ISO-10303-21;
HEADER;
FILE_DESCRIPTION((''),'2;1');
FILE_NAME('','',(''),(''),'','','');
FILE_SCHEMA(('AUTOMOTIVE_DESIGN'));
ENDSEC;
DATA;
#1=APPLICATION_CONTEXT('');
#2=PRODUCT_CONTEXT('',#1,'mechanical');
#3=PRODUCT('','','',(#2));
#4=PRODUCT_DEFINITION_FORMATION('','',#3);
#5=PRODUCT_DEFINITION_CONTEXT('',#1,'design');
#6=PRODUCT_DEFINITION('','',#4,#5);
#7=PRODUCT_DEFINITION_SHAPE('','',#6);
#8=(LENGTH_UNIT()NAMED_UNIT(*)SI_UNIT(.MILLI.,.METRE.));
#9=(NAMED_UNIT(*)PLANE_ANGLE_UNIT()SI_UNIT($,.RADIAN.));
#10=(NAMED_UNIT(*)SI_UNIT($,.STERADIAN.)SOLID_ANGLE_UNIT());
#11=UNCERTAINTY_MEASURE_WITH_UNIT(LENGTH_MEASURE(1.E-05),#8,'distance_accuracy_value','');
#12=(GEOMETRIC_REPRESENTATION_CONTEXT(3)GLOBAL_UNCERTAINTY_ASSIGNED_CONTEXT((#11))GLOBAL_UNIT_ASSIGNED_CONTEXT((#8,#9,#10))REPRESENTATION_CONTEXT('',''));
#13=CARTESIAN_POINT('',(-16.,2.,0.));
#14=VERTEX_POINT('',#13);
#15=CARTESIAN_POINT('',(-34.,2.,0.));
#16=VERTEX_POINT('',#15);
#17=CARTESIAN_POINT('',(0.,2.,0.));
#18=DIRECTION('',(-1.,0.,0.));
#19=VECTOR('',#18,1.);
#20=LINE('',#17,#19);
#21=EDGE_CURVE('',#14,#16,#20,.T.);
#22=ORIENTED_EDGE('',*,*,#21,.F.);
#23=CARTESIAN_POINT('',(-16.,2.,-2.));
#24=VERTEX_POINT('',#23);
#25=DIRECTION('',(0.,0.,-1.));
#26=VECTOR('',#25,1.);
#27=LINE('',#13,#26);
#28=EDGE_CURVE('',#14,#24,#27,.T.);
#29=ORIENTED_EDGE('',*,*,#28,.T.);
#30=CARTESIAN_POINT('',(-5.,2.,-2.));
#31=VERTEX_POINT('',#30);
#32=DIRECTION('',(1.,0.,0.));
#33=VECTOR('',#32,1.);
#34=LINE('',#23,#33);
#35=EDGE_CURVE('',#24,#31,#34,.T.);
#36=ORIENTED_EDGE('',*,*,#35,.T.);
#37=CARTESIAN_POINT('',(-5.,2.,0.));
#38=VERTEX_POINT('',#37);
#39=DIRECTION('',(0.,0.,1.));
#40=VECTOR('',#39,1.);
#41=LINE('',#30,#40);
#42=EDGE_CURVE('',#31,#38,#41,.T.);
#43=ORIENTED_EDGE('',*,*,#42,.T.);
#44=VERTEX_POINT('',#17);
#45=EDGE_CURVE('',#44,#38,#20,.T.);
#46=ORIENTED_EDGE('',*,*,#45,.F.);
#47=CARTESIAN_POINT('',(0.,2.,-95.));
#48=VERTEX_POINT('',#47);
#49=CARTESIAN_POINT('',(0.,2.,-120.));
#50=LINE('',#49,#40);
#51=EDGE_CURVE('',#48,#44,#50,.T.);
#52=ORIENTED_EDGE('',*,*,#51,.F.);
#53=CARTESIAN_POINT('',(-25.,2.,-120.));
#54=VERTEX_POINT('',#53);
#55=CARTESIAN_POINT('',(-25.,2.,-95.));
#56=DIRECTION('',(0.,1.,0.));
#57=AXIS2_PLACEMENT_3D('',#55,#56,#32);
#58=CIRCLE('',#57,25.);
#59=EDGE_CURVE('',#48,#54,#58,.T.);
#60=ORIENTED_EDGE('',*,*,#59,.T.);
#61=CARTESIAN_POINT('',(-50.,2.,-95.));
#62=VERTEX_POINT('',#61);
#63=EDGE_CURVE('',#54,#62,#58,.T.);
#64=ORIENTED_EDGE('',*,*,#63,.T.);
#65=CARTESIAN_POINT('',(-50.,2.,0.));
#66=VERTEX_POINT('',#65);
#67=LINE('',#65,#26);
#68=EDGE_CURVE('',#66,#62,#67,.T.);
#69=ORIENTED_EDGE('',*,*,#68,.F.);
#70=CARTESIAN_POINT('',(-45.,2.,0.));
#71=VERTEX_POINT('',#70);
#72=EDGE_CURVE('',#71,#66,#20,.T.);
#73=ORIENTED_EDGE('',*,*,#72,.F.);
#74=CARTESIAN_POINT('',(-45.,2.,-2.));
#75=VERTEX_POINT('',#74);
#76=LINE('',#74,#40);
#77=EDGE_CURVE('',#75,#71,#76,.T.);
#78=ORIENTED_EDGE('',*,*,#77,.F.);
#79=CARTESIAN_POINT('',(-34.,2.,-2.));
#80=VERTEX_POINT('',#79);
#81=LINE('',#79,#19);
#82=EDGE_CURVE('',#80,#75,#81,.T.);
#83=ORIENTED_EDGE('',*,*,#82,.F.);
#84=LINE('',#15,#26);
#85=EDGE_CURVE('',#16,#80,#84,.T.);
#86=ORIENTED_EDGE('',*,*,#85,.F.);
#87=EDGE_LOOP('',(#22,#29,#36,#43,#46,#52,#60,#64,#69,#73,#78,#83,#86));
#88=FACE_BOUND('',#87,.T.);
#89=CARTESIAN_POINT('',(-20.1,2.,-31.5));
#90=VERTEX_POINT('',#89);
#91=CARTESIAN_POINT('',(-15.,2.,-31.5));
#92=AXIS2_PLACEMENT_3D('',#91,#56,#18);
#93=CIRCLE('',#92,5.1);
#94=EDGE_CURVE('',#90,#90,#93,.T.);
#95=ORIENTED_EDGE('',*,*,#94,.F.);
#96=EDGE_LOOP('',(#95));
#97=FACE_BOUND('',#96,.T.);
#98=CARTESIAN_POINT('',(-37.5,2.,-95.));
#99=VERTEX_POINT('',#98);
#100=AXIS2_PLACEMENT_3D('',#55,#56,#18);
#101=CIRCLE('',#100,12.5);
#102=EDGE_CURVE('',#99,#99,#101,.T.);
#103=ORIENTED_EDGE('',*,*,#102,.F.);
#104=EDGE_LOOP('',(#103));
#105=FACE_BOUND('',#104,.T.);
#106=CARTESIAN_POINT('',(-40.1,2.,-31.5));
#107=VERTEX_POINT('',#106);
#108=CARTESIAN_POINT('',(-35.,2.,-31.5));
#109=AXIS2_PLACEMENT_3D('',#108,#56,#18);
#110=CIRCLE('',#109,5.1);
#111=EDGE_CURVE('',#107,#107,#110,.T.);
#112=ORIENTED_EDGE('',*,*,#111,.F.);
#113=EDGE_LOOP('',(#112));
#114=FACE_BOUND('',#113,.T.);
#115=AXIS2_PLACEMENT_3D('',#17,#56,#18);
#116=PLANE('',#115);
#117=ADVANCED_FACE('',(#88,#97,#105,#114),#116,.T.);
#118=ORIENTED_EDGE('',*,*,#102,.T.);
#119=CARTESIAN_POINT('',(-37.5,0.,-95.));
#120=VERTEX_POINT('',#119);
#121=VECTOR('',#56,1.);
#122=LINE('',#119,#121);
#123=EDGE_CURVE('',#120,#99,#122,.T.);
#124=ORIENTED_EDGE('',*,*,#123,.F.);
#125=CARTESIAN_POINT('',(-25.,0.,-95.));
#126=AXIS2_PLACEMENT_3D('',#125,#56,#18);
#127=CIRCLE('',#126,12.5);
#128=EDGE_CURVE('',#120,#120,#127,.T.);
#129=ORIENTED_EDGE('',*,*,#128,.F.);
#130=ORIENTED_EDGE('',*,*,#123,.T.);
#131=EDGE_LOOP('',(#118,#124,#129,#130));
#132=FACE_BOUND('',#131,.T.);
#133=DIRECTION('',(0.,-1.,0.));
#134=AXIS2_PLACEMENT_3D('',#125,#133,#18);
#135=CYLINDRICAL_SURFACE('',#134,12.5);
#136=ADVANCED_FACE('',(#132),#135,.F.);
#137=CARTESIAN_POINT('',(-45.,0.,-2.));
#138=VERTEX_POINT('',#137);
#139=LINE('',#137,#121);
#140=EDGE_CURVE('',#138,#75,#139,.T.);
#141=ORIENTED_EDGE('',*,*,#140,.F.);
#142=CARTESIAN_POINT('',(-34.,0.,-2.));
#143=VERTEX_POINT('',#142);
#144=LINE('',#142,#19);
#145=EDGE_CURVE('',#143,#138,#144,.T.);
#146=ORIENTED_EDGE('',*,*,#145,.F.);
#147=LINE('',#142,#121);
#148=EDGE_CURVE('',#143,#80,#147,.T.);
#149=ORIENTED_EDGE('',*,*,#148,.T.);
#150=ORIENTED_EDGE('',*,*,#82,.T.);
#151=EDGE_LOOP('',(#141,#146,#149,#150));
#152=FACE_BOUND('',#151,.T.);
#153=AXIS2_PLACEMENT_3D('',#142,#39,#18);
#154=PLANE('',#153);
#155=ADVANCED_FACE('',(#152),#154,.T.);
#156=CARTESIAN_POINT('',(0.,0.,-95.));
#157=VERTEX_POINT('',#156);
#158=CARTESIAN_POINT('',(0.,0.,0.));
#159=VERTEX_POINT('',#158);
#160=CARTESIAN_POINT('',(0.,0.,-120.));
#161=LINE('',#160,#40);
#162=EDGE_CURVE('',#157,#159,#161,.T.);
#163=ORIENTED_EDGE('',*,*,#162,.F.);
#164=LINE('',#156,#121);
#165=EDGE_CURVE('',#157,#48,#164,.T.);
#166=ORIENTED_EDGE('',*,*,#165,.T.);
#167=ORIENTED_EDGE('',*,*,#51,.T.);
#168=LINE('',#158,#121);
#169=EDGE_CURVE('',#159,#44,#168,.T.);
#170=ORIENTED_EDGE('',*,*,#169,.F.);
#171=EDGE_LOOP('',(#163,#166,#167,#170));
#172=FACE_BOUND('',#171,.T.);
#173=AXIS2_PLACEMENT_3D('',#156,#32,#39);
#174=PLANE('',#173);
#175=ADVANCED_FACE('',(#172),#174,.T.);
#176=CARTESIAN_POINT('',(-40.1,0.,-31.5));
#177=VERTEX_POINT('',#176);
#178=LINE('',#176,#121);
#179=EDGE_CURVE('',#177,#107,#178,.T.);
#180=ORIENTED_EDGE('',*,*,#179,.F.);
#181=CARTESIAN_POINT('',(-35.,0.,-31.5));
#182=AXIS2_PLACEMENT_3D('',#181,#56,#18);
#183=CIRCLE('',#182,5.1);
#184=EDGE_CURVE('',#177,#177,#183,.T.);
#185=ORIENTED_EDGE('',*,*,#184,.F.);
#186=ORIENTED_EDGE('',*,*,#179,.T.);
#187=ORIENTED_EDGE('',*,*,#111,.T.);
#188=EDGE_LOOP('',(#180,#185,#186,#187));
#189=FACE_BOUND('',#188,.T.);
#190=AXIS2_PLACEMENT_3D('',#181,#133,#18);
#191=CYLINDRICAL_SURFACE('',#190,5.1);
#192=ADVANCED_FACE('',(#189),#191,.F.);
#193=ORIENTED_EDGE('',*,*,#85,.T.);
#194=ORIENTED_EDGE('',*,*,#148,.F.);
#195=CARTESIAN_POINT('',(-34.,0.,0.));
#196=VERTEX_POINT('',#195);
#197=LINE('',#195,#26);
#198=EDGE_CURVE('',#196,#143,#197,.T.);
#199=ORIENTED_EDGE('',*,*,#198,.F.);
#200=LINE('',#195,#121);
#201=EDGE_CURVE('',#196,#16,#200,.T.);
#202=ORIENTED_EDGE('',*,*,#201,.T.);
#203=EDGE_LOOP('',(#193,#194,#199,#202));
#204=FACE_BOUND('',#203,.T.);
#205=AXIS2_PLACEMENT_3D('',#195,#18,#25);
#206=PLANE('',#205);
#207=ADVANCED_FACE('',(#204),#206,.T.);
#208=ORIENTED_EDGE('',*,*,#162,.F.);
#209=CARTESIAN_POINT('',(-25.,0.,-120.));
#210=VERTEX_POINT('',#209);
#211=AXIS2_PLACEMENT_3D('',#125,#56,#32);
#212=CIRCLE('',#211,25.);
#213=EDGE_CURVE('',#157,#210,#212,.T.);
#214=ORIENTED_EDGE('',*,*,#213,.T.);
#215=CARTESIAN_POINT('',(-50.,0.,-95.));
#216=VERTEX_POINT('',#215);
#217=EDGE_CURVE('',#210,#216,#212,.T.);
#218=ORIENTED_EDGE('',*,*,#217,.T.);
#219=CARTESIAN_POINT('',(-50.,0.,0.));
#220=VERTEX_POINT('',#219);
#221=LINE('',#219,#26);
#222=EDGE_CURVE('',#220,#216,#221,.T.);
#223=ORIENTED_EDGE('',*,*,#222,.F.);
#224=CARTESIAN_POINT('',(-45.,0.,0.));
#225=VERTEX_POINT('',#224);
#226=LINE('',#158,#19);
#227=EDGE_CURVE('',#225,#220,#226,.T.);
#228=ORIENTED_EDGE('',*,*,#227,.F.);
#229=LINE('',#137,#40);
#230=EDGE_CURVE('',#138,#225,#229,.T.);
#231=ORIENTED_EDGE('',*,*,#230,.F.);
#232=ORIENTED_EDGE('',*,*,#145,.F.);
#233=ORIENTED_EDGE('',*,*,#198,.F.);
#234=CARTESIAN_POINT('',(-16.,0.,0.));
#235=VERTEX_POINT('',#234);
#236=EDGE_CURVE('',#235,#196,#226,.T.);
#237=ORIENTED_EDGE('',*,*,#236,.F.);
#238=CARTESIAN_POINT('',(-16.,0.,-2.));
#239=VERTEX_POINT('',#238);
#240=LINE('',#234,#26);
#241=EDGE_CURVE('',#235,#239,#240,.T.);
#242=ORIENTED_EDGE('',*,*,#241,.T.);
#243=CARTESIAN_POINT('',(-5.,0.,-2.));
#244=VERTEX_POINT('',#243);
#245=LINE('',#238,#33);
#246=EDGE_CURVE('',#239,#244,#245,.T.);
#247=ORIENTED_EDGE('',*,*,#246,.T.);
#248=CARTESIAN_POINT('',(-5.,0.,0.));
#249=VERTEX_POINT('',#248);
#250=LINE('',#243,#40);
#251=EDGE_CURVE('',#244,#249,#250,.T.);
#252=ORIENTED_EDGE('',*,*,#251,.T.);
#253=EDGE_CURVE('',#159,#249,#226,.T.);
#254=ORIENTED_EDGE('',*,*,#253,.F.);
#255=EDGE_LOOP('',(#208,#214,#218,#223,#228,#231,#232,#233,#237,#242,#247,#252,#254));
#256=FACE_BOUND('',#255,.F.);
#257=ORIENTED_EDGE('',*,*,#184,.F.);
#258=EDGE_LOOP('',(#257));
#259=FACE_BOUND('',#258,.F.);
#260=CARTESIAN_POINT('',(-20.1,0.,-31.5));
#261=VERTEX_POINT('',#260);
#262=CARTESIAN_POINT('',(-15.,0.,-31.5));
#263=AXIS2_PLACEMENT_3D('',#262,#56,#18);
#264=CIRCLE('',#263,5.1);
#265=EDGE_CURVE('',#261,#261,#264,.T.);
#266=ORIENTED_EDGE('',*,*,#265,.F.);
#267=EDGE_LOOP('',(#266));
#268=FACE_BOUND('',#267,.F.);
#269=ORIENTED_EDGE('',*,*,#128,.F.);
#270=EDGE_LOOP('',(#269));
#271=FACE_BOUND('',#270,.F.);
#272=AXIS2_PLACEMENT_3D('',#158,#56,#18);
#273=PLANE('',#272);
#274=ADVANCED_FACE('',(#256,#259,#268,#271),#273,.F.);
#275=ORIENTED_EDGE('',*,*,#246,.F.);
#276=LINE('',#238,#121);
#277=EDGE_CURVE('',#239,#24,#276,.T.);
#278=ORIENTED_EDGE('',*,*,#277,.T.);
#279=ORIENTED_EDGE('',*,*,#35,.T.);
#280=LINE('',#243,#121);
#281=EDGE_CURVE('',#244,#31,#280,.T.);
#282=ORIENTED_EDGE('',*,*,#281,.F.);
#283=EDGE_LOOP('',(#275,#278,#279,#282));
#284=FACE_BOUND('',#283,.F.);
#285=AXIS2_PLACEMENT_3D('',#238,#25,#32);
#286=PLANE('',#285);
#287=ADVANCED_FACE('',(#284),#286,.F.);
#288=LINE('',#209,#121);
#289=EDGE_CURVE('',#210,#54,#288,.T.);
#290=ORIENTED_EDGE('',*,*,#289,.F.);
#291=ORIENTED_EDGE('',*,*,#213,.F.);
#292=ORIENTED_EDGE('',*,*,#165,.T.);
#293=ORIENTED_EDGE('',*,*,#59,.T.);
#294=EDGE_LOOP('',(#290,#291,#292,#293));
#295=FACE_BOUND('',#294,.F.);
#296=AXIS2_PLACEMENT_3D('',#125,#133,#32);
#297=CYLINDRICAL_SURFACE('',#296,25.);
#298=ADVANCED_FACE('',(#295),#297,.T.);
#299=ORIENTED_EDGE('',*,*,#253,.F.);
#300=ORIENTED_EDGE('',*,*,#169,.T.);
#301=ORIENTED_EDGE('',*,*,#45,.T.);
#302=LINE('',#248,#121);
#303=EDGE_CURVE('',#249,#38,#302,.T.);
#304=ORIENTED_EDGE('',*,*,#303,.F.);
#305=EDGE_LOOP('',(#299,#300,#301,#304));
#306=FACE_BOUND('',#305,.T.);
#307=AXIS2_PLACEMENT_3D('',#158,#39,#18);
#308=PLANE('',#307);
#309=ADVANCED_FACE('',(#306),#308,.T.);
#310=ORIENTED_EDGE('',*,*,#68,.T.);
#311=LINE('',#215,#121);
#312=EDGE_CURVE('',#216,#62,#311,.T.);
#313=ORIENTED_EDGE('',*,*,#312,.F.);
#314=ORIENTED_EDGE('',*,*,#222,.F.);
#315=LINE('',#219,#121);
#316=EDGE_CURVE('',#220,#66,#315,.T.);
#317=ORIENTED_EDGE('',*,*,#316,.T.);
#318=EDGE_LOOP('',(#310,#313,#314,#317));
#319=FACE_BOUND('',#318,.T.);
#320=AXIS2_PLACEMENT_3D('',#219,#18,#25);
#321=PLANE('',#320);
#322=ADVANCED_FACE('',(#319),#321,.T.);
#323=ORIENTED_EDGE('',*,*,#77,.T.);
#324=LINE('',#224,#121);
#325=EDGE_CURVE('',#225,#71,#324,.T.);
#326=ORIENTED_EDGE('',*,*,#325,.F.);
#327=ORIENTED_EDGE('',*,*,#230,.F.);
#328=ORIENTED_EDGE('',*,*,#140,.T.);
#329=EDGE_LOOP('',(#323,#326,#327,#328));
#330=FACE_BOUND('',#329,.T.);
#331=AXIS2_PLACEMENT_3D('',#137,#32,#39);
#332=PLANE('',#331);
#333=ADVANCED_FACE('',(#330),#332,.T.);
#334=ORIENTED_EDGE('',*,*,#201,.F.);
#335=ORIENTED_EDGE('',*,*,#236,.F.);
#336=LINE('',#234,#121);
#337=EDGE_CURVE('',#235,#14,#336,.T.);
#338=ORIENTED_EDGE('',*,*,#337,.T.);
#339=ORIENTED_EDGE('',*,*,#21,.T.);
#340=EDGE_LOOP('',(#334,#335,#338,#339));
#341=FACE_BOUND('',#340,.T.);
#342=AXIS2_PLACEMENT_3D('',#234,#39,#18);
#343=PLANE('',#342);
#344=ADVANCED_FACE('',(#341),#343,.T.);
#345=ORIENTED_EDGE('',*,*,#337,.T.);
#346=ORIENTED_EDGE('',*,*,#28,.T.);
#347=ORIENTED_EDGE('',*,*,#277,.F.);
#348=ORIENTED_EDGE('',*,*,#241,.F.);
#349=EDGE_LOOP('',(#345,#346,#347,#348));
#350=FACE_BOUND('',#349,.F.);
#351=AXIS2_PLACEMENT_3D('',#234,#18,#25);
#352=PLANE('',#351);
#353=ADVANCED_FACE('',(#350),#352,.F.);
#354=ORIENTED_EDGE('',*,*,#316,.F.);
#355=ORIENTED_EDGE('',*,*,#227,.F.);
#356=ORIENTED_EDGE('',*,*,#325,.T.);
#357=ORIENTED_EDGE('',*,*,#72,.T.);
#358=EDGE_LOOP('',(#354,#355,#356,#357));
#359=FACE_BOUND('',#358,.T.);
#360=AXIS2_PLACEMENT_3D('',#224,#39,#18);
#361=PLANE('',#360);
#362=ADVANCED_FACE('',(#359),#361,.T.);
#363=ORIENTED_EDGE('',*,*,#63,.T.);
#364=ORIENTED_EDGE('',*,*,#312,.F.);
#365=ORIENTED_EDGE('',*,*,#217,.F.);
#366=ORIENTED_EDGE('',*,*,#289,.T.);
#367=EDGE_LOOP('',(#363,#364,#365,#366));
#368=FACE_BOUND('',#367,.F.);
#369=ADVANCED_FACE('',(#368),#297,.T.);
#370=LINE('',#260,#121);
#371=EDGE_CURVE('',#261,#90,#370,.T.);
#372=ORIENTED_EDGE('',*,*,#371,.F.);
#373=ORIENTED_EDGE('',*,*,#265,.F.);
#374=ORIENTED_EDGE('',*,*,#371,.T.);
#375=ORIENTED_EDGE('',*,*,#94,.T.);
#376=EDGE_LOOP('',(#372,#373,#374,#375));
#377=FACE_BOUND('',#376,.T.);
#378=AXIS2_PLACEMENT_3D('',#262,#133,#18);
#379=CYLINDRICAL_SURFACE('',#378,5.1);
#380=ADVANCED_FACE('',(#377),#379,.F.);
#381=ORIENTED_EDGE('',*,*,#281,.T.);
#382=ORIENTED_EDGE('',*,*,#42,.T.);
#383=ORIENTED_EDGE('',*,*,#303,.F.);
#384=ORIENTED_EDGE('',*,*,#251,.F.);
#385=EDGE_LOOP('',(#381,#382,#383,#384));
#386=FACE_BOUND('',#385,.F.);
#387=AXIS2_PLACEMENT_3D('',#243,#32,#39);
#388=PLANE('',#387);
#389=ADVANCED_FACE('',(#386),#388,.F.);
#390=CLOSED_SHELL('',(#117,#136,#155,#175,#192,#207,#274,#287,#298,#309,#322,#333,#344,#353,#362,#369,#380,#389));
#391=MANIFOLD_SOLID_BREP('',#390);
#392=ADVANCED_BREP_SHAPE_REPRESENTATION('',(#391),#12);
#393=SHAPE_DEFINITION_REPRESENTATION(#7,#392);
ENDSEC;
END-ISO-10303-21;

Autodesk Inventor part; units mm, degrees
ref_plane "YZ Plane" through (0, 0, 0) normal (1, 0, 0) x (0, 1, 0)
ref_plane "XZ Plane" through (0, 0, 0) normal (0, 1, 0) x (-1, 0, 0)
ref_plane "XY Plane" through (0, 0, 0) normal (0, 0, 1) x (1, 0, 0)
sketch "Sketch1" plane through (0, 0, 0) normal (0, 1, 0) x (-1, 0, 0)
  line L0 (0, 0) -> (50, 0)
  line L1 (50, 0) -> (50, -120)
  line L2 (50, -120) -> (0, -120)
  line L3 (0, -120) -> (0, 0)
  circle A0 centre (35, -31.5) radius 5.1
  circle A1 centre (25, -95) radius 12.5
  arc A2 (0, -95) -> (50, -95) centre (25, -95) ccw
  line L4 (45, 0) -> (34, 0)
  line L5 (34, 0) -> (34, -2)
  line L6 (34, -2) -> (45, -2)
  line L7 (45, -2) -> (45, 0)
  line L8 (16, -2) -> (5, -2)
  line L9 (5, -2) -> (5, 0)
  line L10 (5, 0) -> (16, 0)
  line L11 (16, 0) -> (16, -2)
  line L12 (50, -95) -> (0, -95) construction
  circle A3 centre (15, -31.5) radius 5.1
  dimension "d0" = 10.2
  dimension "d1" = 25
  dimension "d2" = 2
  dimension "d3" = 2
  dimension "d6" = 5
  dimension "d7" = 11
  dimension "d8" = 5
  dimension "d9" = 11
  dimension "d10" = 50
  dimension "d12" = 25
  dimension "d13" = 120
  dimension "d14" = 31.5
  dimension "d16" = 10.2
  dimension "d17" = 31.5
  dimension "d18" = 20
  dimension "d19" = 15
extrude "Plate2" add sketch "Sketch1" along normal blind 2 contours L0 L9 L8 L11 L5 L6 L7 L1 A2 L3
equation "\"d7\" = d9"
equation "\"d12\" = 0.5 * d10"
equation "\"d17\" = d14"
equation "\"d19\" = -0.5 * d18 + 0.5 * d10"
equation "\"d20\" = Thickness"
equation "\"BendRadius\" = Thickness"
equation "\"BendReliefWidth\" = Thickness"
equation "\"BendReliefDepth\" = 0.5 * Thickness"
equation "\"CornerReliefSize\" = 4 * Thickness"
equation "\"MinimumRemnant\" = 2 * Thickness"
equation "\"TransitionRadius\" = BendRadius"
equation "\"JacobiRadiusSize\" = BendRadius"
equation "\"GapSize\" = Thickness"
equation "\"Thickness\" = 2"
properties part number "side_beslag"
